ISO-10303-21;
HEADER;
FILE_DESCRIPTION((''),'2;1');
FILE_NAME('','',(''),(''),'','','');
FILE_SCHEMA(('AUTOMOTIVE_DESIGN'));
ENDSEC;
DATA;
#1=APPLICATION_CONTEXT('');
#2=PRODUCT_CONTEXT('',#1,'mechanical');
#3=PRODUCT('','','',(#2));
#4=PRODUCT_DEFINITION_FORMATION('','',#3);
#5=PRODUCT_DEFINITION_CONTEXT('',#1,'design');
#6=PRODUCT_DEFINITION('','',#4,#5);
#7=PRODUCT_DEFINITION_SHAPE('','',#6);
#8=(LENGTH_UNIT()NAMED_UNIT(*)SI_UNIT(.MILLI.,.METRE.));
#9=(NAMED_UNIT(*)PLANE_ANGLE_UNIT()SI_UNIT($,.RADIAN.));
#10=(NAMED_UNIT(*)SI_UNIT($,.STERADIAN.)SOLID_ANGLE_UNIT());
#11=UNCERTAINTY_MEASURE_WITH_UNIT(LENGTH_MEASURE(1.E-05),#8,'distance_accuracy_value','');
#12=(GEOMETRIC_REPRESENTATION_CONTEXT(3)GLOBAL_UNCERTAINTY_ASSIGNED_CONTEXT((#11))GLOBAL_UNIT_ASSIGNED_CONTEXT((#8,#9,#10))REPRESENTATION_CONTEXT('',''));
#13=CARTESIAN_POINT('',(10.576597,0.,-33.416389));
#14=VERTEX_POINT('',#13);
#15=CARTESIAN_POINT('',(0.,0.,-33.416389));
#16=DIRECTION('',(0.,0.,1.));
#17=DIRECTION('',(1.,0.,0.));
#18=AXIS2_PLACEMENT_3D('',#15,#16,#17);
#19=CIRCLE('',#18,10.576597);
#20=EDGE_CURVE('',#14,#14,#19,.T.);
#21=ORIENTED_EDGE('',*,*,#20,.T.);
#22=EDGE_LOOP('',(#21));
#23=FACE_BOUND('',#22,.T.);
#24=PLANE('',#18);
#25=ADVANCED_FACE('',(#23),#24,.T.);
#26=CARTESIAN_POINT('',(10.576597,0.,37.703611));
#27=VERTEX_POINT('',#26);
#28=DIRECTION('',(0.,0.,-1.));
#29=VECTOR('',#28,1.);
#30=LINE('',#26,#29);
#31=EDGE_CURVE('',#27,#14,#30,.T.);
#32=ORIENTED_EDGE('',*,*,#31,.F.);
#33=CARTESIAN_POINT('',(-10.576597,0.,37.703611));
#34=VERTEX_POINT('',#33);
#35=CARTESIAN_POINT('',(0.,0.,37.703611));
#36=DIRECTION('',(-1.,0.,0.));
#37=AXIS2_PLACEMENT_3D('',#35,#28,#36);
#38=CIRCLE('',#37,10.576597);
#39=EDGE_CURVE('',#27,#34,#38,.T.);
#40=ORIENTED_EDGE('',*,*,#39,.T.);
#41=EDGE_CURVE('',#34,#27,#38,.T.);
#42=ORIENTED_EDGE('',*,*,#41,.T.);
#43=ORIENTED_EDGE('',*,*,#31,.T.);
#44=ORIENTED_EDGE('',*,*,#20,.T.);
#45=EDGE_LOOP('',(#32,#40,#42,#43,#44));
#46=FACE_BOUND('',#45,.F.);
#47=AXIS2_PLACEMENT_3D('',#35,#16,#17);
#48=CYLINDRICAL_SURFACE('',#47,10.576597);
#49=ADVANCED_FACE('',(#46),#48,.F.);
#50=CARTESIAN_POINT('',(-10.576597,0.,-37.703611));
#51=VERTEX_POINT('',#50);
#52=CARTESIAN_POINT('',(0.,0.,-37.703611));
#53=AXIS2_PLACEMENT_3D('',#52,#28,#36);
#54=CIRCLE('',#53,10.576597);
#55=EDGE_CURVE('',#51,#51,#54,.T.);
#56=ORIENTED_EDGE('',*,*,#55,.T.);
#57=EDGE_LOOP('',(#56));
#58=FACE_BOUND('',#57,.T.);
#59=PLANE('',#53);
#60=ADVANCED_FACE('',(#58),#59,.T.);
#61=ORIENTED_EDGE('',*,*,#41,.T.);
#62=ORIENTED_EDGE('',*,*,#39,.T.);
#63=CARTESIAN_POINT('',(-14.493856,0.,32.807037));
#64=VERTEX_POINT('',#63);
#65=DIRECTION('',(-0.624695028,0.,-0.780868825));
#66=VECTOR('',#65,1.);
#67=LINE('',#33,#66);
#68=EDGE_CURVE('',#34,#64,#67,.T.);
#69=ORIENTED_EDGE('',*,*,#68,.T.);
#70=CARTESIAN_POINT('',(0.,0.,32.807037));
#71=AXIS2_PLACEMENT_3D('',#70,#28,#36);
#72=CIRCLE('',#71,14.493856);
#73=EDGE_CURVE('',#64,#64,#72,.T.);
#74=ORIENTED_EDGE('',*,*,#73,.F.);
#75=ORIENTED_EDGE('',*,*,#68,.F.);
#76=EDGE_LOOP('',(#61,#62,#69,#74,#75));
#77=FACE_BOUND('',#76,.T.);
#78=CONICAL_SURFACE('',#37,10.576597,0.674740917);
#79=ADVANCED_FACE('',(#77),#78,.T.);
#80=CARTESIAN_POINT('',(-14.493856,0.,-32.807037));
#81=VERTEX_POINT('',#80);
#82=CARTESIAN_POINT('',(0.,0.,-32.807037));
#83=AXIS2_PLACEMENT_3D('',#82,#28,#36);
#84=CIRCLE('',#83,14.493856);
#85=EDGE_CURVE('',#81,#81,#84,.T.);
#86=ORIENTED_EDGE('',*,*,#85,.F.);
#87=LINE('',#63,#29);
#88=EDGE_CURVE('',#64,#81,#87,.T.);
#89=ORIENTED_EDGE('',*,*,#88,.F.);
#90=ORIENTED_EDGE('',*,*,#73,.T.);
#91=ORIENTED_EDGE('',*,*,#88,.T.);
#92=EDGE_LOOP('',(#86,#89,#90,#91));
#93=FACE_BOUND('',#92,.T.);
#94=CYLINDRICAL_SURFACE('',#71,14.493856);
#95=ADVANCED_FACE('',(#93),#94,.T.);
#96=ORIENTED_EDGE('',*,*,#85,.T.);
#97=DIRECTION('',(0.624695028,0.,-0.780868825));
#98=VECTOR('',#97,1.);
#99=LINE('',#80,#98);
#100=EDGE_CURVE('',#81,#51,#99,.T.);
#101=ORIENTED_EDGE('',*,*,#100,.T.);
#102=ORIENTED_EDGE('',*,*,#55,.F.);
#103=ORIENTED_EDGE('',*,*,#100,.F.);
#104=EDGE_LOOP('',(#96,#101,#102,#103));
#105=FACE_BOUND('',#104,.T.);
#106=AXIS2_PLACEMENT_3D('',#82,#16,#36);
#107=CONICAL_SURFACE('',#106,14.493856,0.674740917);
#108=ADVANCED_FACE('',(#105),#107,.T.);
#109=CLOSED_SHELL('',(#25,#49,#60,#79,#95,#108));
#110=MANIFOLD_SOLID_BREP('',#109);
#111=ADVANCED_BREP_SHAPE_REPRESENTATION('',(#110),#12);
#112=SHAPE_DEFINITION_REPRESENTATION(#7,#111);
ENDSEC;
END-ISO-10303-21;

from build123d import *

# Parameters (mm, degrees)
F2_R     = 10.576597
F3_DEPTH = 71.12


with BuildPart() as f1:
    # F0 (on Front) → F1 (revolve)
    with BuildSketch(Plane.XZ):
        Polygon((0, 0), (0, 37.703611), (-10.576597, 37.703611), (-14.493856, 32.807037), (-14.493856, 0), (-14.493856, -32.807037), (-10.576597, -37.703611), (0, -37.703611), align=None)
    revolve(axis=Axis((0, 0, -18.851805), (0, 0, -1)))

    # F2 (on face) → F3 (cut)
    with BuildSketch(Plane.XY.offset(37.703611)):
        Circle(F2_R)
    extrude(amount=-F3_DEPTH, mode=Mode.SUBTRACT)


solid = f1.part
